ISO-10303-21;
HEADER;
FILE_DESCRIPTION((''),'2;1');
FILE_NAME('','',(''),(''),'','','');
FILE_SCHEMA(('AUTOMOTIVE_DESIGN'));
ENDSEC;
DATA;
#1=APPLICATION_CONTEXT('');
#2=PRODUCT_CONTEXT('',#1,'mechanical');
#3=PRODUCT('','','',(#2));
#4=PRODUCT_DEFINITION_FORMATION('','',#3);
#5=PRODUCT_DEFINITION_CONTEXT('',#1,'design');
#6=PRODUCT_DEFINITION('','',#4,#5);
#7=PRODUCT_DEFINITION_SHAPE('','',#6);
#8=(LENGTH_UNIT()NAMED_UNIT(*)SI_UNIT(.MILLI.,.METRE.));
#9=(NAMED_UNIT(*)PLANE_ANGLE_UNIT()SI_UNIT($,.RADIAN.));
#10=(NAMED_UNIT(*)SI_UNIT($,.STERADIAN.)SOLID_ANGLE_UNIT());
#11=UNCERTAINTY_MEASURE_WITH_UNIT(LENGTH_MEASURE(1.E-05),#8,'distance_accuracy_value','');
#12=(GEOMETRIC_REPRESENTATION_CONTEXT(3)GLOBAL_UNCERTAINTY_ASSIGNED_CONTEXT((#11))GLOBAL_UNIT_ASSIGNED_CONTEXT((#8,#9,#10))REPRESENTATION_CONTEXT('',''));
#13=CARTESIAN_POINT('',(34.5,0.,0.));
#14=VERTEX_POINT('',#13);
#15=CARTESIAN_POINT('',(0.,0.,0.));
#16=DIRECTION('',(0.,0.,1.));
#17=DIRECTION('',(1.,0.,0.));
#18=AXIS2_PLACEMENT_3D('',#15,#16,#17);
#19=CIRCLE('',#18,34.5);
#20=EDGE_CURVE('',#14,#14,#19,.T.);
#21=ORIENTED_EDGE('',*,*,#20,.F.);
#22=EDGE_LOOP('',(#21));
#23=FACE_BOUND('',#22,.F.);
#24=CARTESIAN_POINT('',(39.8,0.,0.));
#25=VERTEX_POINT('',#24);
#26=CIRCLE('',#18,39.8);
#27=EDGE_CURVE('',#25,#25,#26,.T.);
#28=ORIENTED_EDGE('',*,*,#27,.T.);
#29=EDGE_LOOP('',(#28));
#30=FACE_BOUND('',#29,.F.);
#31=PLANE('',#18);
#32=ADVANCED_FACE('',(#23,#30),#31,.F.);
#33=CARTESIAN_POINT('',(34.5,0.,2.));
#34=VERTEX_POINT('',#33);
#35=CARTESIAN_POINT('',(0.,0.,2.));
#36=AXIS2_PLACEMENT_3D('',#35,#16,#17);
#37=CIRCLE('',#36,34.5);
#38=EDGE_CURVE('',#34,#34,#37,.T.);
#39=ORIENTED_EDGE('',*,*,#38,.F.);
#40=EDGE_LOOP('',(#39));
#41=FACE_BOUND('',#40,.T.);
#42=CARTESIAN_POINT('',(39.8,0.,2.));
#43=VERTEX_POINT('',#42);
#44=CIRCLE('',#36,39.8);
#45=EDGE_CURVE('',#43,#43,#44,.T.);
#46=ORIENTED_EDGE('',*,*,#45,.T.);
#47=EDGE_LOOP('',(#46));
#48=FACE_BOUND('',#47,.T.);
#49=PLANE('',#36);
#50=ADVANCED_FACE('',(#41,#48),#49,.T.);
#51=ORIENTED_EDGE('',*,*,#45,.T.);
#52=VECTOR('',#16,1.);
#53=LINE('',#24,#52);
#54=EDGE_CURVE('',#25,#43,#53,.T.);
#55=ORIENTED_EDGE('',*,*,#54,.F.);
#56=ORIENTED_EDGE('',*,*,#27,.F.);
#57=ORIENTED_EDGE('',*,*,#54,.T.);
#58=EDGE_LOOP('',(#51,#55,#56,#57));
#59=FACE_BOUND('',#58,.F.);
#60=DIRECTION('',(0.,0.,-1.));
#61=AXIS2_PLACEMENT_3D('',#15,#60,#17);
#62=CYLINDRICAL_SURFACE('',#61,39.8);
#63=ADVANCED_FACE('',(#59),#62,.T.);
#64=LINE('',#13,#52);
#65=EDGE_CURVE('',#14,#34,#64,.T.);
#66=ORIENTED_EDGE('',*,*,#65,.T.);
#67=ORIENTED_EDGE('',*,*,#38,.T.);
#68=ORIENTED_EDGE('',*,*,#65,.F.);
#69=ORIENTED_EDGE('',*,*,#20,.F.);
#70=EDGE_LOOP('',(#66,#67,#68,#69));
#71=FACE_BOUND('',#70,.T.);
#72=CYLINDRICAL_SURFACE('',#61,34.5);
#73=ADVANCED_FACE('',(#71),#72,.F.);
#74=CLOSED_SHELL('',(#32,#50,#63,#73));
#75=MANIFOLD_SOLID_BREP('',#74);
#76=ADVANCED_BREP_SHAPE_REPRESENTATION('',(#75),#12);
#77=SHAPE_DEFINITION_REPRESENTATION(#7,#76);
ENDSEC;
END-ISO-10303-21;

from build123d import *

# Parameters (mm, degrees)
SKETCH_R   = 39.8
SKETCH_R_2 = 34.5
PAD_DEPTH  = 2


with BuildPart() as part:
    # Sketch → Pad (new body)
    with BuildSketch(Plane.XY):
        Circle(SKETCH_R)
        Circle(SKETCH_R_2, mode=Mode.SUBTRACT)
    extrude(amount=PAD_DEPTH)


solid = part.part
